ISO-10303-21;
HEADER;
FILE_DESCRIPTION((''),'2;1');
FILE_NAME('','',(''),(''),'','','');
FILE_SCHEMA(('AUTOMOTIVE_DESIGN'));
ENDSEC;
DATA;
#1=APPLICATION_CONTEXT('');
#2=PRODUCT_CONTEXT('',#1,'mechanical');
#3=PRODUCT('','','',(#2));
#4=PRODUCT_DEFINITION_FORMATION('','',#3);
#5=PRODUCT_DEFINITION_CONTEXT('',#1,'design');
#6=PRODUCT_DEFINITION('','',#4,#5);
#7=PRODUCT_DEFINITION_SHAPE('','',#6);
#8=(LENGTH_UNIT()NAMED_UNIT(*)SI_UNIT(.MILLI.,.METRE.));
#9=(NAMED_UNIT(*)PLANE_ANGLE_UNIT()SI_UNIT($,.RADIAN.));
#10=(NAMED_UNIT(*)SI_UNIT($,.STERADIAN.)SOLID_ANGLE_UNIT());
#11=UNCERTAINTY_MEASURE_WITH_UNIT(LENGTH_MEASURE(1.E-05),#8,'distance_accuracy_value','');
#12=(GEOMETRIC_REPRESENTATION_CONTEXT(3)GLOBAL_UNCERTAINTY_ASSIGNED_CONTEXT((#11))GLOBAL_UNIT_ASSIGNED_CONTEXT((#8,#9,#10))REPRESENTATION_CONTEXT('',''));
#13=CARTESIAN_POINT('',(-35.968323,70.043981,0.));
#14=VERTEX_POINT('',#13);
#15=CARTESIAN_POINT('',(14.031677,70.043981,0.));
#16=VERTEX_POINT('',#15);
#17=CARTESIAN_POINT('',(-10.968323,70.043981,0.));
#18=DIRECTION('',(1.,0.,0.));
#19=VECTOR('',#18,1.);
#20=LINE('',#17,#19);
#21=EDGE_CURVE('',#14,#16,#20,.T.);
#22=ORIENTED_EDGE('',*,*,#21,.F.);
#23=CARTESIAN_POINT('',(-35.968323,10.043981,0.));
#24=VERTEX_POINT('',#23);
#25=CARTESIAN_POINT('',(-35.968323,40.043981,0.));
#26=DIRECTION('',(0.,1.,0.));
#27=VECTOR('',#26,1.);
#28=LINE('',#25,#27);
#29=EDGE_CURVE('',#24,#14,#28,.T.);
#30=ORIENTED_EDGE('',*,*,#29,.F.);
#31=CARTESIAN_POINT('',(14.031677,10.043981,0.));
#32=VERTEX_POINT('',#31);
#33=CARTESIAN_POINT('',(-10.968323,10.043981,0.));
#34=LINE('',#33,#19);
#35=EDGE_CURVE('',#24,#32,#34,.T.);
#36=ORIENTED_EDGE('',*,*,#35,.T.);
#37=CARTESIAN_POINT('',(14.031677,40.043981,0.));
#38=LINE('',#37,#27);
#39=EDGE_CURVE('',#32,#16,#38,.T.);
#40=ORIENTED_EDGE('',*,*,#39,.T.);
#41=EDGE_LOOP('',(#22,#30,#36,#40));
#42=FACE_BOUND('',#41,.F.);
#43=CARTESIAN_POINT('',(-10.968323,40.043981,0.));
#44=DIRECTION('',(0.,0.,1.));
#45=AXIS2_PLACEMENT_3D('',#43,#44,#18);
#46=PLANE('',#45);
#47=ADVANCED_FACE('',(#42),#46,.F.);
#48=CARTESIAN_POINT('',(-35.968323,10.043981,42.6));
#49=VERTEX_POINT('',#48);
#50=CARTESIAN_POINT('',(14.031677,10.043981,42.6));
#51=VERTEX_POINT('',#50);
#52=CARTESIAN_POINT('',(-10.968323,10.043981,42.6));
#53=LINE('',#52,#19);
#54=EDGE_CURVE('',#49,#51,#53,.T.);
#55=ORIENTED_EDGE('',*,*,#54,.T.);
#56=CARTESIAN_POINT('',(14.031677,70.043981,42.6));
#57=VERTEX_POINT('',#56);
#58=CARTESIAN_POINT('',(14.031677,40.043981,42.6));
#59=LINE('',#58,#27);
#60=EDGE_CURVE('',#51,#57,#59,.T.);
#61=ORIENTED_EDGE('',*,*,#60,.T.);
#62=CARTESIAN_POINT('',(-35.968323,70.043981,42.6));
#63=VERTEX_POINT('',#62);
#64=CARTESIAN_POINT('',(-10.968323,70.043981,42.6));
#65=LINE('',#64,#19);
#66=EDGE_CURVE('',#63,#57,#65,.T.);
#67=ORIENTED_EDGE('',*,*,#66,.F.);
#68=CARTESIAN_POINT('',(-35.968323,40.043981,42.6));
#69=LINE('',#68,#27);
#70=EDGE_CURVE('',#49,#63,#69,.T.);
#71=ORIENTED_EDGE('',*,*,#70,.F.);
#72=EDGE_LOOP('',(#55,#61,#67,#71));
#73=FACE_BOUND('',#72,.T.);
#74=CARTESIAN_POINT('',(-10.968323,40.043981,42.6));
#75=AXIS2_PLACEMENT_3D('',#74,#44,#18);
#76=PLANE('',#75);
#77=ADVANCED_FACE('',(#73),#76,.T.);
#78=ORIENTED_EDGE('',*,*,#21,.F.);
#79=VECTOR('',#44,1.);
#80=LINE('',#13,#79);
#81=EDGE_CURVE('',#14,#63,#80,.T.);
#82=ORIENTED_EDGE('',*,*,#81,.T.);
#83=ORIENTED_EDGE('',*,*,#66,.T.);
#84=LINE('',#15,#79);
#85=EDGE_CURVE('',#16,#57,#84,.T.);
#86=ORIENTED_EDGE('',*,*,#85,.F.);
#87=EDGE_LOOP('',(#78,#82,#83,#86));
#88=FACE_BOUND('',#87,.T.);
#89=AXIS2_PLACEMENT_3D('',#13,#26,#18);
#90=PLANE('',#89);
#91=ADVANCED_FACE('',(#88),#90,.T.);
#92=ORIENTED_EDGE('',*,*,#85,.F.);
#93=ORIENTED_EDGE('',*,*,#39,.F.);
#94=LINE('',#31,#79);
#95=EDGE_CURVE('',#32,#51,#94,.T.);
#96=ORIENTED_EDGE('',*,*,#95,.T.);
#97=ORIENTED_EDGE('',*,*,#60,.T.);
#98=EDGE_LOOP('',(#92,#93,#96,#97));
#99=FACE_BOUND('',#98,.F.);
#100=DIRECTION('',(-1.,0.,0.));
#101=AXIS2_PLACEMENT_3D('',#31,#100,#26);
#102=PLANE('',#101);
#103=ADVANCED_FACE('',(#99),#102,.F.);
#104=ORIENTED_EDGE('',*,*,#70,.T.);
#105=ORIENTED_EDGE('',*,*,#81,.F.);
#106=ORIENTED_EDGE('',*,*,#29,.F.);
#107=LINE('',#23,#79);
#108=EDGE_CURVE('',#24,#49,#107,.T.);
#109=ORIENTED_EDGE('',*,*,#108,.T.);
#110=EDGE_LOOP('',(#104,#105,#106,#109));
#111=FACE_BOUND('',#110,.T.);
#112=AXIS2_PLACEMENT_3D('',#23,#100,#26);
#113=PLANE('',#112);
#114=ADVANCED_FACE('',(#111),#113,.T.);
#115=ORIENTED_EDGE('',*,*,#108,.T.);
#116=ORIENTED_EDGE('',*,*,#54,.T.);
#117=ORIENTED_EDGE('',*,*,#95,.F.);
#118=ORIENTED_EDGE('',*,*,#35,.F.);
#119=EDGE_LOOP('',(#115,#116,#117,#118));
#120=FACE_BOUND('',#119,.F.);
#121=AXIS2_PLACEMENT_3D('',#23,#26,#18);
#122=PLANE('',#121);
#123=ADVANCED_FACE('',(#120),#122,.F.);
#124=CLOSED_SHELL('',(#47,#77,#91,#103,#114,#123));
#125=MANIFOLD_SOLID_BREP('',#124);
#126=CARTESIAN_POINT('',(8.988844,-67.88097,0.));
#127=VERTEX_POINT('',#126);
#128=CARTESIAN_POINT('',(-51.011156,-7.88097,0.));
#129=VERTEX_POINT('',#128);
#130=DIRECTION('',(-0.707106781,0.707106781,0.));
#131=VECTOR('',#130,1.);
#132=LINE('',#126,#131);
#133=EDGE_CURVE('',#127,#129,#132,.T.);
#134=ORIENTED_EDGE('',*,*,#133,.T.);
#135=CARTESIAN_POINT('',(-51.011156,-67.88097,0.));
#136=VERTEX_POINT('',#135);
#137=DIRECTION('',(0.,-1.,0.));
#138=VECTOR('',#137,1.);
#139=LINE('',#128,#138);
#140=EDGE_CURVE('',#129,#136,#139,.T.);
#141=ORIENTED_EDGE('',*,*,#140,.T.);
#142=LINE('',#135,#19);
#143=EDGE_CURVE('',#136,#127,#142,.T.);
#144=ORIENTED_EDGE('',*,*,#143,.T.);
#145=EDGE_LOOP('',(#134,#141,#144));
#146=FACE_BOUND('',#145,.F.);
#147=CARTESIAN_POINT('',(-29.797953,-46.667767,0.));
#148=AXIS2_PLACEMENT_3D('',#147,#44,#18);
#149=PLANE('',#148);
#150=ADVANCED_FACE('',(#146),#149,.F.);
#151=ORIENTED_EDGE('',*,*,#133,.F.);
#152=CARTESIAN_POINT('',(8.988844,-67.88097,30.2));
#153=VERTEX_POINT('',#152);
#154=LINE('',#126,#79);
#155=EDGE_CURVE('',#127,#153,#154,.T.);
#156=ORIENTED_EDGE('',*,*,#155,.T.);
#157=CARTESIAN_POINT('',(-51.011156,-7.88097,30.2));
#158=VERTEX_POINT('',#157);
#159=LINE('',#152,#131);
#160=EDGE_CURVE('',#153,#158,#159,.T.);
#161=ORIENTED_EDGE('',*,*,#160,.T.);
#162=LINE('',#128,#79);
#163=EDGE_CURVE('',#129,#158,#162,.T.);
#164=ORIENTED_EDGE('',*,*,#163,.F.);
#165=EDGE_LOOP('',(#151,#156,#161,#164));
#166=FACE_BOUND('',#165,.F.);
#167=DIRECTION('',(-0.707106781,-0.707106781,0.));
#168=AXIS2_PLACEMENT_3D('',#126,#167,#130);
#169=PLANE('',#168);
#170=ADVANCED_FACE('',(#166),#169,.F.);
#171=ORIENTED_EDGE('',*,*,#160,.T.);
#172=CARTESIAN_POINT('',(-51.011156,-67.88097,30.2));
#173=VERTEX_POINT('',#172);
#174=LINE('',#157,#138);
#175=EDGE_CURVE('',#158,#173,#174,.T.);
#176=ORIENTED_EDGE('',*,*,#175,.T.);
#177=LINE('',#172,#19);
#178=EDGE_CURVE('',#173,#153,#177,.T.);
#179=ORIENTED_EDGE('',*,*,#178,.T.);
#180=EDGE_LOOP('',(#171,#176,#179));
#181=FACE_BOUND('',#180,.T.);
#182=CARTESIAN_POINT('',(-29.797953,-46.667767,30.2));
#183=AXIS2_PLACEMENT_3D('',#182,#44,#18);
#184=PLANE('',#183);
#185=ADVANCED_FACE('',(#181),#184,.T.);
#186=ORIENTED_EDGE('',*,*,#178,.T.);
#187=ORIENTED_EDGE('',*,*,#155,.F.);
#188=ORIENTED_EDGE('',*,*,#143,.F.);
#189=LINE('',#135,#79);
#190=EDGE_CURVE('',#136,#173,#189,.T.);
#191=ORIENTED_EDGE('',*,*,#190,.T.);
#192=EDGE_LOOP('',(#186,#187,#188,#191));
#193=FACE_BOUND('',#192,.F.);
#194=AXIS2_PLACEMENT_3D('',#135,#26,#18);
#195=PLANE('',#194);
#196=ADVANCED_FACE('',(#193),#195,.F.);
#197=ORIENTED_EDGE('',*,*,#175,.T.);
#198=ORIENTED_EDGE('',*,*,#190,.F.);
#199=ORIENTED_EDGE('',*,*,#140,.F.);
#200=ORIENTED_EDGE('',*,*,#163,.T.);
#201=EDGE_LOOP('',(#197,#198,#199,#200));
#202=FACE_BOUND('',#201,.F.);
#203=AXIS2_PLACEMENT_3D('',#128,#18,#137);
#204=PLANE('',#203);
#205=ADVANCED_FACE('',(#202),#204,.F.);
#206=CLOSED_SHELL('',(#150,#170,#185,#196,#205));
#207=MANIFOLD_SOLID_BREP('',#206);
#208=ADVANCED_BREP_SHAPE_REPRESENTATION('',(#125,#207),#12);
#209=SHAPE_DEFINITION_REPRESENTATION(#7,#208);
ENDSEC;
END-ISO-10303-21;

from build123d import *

# Parameters (mm, degrees)
F0_W     = 50
F0_H     = 60
F1_DEPTH = 42.6
F3_DEPTH = 30.2


with BuildPart() as f1:
    # F0 (on Top) → F1 (new body)
    with BuildSketch(Plane.XY):
        with Locations((-10.968323, 40.043981)):
            Rectangle(F0_W, F0_H)
    extrude(amount=F1_DEPTH)


with BuildPart() as f3:
    # F2 (on Top) → F3 (new body)
    with BuildSketch(Plane.XY):
        Polygon((8.988844, -67.88097), (-51.011156, -7.88097), (-51.011156, -67.88097), align=None)
    extrude(amount=F3_DEPTH)


solid = Compound([f1.part, f3.part])
